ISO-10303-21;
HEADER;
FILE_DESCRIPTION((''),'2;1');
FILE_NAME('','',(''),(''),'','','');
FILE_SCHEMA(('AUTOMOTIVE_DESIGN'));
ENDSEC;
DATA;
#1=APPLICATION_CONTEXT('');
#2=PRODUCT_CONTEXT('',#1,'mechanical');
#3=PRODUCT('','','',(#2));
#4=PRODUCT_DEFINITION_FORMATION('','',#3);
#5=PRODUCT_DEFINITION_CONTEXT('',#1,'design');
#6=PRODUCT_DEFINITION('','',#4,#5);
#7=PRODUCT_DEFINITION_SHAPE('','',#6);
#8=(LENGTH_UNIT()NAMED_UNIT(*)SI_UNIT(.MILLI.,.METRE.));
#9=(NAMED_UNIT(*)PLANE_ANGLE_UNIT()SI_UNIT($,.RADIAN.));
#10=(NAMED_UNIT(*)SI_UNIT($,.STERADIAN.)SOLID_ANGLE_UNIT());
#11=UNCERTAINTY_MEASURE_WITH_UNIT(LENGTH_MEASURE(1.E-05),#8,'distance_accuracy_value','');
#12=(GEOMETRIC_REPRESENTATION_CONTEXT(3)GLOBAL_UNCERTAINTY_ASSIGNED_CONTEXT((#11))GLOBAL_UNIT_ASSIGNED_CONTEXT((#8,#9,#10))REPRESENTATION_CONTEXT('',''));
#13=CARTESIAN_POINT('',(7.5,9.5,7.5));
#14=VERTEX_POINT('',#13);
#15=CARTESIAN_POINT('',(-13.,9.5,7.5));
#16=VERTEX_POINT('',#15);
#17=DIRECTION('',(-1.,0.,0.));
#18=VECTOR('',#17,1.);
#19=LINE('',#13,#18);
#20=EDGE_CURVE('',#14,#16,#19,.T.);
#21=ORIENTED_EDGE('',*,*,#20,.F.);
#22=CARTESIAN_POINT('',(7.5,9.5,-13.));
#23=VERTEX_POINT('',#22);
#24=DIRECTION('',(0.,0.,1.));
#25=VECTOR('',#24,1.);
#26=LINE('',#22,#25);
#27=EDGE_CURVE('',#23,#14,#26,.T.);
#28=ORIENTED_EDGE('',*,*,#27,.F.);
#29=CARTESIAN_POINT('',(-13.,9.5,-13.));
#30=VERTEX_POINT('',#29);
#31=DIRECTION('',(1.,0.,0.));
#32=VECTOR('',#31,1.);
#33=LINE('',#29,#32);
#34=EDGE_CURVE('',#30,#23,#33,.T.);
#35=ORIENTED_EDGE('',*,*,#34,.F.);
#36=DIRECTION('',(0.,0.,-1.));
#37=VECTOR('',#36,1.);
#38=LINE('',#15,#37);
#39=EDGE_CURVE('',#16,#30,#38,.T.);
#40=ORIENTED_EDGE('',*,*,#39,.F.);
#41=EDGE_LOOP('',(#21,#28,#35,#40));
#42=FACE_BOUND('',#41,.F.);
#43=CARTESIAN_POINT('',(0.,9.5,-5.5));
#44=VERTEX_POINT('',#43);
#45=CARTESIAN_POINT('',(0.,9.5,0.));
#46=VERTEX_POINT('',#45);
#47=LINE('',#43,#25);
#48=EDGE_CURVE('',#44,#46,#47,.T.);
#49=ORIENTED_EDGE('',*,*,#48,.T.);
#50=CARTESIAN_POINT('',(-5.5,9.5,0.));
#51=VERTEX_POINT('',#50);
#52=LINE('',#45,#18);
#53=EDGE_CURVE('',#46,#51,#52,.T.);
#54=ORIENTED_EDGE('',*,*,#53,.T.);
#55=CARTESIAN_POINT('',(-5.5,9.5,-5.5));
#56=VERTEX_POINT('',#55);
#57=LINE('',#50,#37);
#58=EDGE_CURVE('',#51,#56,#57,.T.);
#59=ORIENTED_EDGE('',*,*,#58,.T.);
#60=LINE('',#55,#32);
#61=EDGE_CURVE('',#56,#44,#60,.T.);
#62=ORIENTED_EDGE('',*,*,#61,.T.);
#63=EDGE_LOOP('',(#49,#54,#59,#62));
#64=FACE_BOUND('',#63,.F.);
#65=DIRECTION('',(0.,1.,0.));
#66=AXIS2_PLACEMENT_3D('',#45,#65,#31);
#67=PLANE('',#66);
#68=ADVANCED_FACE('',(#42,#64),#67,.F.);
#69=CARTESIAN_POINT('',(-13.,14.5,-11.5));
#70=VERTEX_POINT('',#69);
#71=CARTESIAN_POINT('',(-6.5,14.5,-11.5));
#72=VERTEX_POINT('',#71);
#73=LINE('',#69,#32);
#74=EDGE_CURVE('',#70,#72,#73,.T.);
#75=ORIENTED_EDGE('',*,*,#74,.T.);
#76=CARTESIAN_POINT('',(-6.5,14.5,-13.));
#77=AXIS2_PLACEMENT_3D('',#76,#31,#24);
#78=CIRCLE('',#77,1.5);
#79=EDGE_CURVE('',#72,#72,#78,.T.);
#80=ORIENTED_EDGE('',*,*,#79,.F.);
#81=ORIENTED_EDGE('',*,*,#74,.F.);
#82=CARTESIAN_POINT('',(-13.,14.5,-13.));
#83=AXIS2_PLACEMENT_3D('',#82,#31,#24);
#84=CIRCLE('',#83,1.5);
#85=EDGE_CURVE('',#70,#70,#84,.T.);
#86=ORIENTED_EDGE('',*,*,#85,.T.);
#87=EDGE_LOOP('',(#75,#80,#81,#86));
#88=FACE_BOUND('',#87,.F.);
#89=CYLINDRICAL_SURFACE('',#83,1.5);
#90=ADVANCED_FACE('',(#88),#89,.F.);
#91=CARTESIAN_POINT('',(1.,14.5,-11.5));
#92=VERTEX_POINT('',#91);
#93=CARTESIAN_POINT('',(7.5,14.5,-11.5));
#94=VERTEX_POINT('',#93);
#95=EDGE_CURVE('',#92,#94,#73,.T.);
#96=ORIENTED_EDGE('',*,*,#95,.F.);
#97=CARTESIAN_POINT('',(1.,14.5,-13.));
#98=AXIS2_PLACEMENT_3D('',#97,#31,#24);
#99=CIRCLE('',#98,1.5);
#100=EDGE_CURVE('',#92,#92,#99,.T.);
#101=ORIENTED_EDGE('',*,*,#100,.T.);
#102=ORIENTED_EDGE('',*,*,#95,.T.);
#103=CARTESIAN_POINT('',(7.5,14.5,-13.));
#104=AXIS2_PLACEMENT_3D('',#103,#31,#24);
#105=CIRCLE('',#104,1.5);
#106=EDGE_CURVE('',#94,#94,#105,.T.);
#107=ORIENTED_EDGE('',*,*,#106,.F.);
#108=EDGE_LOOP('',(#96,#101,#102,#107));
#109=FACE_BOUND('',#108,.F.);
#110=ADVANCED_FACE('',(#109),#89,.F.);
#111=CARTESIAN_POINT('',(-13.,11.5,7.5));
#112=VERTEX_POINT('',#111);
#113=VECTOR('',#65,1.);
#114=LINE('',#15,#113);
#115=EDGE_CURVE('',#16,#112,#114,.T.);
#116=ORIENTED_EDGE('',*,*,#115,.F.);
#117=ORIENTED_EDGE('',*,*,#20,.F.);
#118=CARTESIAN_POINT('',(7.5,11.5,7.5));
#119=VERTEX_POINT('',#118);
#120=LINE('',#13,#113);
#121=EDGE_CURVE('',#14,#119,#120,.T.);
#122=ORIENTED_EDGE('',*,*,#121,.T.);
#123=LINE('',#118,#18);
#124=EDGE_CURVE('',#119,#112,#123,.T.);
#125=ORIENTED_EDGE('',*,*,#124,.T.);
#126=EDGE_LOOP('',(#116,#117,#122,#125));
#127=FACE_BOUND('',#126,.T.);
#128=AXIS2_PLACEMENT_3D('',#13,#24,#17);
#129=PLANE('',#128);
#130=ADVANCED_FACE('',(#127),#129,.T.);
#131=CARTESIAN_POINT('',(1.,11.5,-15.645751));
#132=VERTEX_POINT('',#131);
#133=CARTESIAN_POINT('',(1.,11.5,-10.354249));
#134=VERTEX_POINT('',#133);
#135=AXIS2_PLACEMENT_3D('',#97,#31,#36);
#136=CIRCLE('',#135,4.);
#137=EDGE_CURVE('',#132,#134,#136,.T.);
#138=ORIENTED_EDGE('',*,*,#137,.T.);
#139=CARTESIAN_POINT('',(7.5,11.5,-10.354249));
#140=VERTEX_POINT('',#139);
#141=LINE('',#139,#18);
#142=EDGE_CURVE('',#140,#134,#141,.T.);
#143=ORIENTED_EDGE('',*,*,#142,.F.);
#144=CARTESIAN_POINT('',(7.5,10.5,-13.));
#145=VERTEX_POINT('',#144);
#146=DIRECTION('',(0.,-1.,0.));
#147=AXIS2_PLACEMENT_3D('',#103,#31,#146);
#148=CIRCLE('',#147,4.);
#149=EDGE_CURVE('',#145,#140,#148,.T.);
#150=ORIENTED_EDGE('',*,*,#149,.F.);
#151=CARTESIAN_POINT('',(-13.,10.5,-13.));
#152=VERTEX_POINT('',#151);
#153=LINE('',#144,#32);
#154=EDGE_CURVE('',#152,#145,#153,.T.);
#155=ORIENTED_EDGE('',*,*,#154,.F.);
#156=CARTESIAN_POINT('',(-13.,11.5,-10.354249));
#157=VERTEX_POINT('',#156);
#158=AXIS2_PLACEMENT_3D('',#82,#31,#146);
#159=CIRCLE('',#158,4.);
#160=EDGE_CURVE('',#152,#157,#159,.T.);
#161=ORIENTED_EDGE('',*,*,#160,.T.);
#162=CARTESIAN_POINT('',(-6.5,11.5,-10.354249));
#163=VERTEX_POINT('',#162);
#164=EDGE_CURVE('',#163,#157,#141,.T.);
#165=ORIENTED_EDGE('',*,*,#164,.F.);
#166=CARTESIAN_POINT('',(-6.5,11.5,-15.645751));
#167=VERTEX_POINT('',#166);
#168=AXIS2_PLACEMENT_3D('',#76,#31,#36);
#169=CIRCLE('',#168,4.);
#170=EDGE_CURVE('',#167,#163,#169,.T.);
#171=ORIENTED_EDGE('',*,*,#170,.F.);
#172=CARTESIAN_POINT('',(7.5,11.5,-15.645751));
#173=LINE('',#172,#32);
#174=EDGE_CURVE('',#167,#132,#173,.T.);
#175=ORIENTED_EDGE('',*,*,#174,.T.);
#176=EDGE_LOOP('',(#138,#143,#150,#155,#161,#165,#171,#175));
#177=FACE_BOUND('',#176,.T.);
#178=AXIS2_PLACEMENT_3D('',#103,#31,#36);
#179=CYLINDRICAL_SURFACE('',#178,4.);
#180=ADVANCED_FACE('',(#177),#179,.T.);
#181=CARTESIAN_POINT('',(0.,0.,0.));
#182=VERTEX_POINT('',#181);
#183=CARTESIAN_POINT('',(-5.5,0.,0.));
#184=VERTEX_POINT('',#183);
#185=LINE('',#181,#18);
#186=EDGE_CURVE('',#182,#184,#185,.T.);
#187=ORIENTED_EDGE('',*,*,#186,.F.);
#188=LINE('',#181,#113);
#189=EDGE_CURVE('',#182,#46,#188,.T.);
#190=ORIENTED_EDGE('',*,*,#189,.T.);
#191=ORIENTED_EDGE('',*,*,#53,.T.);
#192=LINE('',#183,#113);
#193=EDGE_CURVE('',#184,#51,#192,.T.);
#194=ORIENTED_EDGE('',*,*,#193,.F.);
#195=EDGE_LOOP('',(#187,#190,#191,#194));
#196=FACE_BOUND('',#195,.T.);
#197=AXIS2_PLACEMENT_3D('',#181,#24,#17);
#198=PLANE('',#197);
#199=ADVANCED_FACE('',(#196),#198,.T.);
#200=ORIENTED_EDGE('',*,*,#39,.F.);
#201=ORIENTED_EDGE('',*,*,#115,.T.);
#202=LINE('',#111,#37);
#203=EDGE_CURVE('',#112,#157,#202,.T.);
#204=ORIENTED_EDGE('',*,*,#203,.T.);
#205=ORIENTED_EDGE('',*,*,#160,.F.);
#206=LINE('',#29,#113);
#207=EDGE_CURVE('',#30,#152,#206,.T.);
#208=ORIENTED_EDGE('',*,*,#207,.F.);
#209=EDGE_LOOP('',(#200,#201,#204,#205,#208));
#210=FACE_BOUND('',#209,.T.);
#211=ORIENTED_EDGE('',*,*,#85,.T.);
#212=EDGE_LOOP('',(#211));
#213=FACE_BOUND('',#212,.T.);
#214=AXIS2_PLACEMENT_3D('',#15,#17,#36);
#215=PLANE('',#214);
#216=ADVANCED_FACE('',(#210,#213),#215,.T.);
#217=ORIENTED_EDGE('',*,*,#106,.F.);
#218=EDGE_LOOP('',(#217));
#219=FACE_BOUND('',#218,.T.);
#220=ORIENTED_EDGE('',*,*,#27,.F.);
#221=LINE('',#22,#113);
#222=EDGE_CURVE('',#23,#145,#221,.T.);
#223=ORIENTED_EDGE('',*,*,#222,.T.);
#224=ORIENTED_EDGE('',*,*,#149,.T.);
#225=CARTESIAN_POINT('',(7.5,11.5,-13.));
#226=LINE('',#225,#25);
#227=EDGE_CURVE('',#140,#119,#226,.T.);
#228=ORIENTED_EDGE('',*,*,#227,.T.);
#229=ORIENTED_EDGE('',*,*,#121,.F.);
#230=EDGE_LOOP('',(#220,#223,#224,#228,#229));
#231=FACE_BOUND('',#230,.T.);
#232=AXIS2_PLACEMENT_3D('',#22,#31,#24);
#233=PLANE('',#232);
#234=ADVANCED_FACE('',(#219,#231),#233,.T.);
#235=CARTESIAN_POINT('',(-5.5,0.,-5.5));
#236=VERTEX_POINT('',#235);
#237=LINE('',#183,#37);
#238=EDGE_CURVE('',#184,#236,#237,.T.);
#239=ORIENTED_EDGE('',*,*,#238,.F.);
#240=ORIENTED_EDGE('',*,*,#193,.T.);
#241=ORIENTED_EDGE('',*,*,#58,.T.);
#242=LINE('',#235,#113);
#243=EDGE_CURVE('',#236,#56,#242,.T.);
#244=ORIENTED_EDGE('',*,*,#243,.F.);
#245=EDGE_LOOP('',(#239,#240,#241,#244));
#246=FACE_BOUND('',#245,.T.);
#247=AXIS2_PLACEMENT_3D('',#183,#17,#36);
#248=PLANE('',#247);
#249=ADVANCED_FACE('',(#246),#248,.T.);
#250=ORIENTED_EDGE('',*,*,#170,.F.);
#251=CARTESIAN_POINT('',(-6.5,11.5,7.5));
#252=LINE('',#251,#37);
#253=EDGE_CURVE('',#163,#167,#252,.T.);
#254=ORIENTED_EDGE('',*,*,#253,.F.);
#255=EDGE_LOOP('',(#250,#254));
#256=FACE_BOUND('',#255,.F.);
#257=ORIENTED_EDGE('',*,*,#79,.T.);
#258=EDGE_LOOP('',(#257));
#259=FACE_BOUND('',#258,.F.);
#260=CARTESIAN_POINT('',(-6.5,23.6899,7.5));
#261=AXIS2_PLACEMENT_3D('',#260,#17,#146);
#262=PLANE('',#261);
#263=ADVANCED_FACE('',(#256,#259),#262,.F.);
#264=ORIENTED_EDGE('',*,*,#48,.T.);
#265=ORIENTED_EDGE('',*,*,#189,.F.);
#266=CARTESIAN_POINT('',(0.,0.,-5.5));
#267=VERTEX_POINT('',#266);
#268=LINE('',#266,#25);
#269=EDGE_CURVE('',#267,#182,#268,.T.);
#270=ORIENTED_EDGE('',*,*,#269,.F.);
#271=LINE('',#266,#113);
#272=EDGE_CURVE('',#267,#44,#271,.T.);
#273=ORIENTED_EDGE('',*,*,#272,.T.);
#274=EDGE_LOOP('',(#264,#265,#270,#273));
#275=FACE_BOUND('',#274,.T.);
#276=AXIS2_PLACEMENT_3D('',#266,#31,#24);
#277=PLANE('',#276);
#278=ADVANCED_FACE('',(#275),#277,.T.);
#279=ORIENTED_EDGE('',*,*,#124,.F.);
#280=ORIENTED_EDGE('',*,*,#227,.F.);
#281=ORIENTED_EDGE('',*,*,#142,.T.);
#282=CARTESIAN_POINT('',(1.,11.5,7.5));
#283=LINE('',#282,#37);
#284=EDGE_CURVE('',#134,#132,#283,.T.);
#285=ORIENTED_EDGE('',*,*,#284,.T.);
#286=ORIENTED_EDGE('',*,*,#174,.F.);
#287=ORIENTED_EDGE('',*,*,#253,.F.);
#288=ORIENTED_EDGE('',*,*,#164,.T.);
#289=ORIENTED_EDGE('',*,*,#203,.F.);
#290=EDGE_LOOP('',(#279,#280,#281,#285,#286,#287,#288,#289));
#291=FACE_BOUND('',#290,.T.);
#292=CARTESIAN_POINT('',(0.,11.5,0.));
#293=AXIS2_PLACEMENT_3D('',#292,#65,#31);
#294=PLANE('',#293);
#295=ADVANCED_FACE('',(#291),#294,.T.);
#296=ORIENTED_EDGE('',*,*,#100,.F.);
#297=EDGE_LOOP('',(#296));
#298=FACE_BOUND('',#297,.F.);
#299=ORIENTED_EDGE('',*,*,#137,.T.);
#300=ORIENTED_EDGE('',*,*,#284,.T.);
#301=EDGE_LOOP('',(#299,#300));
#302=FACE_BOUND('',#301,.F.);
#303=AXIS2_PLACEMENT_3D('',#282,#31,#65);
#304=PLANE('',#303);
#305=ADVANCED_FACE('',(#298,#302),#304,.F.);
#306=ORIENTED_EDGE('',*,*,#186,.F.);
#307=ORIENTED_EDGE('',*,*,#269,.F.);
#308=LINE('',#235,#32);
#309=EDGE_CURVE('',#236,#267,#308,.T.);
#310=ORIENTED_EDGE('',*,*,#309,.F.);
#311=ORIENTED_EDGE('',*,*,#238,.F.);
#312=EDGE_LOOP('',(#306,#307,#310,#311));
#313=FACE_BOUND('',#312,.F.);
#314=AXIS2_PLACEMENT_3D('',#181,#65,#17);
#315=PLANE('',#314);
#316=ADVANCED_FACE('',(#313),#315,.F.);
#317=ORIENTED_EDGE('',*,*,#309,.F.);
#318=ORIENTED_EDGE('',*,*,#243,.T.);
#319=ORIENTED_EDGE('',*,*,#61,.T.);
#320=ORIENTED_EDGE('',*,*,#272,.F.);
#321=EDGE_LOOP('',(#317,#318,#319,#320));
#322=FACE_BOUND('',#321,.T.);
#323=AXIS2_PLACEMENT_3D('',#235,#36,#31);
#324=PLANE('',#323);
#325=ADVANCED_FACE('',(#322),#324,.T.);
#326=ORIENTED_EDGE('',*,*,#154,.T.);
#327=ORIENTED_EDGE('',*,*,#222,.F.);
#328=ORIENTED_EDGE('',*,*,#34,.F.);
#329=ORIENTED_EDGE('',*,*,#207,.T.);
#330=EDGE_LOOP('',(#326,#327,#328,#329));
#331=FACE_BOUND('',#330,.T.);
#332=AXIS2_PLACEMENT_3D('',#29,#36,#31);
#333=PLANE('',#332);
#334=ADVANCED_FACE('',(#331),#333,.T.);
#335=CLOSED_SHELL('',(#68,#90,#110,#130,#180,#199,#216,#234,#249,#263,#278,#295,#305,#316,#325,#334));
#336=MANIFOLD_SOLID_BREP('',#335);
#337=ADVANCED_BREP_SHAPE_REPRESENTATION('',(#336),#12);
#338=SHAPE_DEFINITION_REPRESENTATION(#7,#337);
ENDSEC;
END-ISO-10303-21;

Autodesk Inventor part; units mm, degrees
ref_plane "YZ Plane" through (0, 0, 0) normal (1, 0, 0) x (0, 1, 0)
ref_plane "XZ Plane" through (0, 0, 0) normal (0, 1, 0) x (-1, 0, 0)
ref_plane "XY Plane" through (0, 0, 0) normal (0, 0, 1) x (1, 0, 0)
sketch "Sketch1" plane through (0, 0, 0) normal (0, 1, 0) x (-1, 0, 0)
  line L0 (0, 0) -> (5.5, 0)
  line L1 (5.5, 0) -> (5.5, -5.5)
  line L2 (5.5, -5.5) -> (0, -5.5)
  line L3 (0, -5.5) -> (0, 0)
  dimension "d0" = 5.5
  dimension "d1" = 5.5
extrude "Extrusion1" add sketch "Sketch1" along normal blind 9.5
sketch "Sketch2" plane through (0, 9.5, 0) normal (0, 1, 0) x (1, 0, 0)
  line L0 (-5.5, 5.5) -> (-5.5, 0) projected
  line L1 (-5.5, 2.75) -> (0, 2.75)
  line L2 (-2.75, 5.5) -> (-2.75, 0)
  line L3 (7.5, -7.5) -> (-13, -7.5)
  line L4 (-13, -7.5) -> (-13, 13)
  line L5 (-13, 13) -> (7.5, 13)
  line L6 (7.5, 13) -> (7.5, -7.5)
  line L7 (7.5, -7.5) -> (-13, 13) construction
  line L8 (-13, -7.5) -> (7.5, 13) construction
  point P0 (0, 0)
  point P1 (-2.75, 2.75)
  dimension "d4" = 20.5
  dimension "d5" = 20.5
extrude "Extrusion2" add sketch "Sketch2" along normal blind 2
sketch "Sketch4" plane through (7.5, 9.5, 7.5) normal (1, 0, 0) x (0, 0, -1)
  line L0 (0, 2) -> (20.5, 2) projected
  line L1 (20.5, 2) -> (20.5, 5)
  circle A0 centre (20.5, 5) radius 4
  point P0 (7.5, -9.5)
  dimension "d8" = 3
extrude "Extrusion3" add sketch "Sketch4" against normal blind 20.5
hole "Hole1" at (-13, 14.5, -13) direction (1, 0, 0) diameter 3 end through all
sketch "Sketch5" plane through (-13, 9.5, 7.5) normal (0, 0, 1) x (1, 0, 0)
  line L0 (0, 2) -> (20.5, 2) projected
  line L1 (6.5, 2) -> (14, 2)
  line L2 (14, 2) -> (14, 14.1899)
  line L3 (14, 14.1899) -> (6.5, 14.1899)
  line L4 (6.5, 14.1899) -> (6.5, 2)
  line L5 (0, 9) -> (0, 1) projected
  line L6 (20.5, 9) -> (20.5, 1) projected
  point P0 (13, -9.5)
  dimension "d20" = 12.1899
  dimension "d21" = 6.5
  dimension "d22" = 6.5
  dimension "d23" = 7.5
extrude "Extrusion4" cut sketch "Sketch5" against normal blind 30
properties part number "camera holder"
